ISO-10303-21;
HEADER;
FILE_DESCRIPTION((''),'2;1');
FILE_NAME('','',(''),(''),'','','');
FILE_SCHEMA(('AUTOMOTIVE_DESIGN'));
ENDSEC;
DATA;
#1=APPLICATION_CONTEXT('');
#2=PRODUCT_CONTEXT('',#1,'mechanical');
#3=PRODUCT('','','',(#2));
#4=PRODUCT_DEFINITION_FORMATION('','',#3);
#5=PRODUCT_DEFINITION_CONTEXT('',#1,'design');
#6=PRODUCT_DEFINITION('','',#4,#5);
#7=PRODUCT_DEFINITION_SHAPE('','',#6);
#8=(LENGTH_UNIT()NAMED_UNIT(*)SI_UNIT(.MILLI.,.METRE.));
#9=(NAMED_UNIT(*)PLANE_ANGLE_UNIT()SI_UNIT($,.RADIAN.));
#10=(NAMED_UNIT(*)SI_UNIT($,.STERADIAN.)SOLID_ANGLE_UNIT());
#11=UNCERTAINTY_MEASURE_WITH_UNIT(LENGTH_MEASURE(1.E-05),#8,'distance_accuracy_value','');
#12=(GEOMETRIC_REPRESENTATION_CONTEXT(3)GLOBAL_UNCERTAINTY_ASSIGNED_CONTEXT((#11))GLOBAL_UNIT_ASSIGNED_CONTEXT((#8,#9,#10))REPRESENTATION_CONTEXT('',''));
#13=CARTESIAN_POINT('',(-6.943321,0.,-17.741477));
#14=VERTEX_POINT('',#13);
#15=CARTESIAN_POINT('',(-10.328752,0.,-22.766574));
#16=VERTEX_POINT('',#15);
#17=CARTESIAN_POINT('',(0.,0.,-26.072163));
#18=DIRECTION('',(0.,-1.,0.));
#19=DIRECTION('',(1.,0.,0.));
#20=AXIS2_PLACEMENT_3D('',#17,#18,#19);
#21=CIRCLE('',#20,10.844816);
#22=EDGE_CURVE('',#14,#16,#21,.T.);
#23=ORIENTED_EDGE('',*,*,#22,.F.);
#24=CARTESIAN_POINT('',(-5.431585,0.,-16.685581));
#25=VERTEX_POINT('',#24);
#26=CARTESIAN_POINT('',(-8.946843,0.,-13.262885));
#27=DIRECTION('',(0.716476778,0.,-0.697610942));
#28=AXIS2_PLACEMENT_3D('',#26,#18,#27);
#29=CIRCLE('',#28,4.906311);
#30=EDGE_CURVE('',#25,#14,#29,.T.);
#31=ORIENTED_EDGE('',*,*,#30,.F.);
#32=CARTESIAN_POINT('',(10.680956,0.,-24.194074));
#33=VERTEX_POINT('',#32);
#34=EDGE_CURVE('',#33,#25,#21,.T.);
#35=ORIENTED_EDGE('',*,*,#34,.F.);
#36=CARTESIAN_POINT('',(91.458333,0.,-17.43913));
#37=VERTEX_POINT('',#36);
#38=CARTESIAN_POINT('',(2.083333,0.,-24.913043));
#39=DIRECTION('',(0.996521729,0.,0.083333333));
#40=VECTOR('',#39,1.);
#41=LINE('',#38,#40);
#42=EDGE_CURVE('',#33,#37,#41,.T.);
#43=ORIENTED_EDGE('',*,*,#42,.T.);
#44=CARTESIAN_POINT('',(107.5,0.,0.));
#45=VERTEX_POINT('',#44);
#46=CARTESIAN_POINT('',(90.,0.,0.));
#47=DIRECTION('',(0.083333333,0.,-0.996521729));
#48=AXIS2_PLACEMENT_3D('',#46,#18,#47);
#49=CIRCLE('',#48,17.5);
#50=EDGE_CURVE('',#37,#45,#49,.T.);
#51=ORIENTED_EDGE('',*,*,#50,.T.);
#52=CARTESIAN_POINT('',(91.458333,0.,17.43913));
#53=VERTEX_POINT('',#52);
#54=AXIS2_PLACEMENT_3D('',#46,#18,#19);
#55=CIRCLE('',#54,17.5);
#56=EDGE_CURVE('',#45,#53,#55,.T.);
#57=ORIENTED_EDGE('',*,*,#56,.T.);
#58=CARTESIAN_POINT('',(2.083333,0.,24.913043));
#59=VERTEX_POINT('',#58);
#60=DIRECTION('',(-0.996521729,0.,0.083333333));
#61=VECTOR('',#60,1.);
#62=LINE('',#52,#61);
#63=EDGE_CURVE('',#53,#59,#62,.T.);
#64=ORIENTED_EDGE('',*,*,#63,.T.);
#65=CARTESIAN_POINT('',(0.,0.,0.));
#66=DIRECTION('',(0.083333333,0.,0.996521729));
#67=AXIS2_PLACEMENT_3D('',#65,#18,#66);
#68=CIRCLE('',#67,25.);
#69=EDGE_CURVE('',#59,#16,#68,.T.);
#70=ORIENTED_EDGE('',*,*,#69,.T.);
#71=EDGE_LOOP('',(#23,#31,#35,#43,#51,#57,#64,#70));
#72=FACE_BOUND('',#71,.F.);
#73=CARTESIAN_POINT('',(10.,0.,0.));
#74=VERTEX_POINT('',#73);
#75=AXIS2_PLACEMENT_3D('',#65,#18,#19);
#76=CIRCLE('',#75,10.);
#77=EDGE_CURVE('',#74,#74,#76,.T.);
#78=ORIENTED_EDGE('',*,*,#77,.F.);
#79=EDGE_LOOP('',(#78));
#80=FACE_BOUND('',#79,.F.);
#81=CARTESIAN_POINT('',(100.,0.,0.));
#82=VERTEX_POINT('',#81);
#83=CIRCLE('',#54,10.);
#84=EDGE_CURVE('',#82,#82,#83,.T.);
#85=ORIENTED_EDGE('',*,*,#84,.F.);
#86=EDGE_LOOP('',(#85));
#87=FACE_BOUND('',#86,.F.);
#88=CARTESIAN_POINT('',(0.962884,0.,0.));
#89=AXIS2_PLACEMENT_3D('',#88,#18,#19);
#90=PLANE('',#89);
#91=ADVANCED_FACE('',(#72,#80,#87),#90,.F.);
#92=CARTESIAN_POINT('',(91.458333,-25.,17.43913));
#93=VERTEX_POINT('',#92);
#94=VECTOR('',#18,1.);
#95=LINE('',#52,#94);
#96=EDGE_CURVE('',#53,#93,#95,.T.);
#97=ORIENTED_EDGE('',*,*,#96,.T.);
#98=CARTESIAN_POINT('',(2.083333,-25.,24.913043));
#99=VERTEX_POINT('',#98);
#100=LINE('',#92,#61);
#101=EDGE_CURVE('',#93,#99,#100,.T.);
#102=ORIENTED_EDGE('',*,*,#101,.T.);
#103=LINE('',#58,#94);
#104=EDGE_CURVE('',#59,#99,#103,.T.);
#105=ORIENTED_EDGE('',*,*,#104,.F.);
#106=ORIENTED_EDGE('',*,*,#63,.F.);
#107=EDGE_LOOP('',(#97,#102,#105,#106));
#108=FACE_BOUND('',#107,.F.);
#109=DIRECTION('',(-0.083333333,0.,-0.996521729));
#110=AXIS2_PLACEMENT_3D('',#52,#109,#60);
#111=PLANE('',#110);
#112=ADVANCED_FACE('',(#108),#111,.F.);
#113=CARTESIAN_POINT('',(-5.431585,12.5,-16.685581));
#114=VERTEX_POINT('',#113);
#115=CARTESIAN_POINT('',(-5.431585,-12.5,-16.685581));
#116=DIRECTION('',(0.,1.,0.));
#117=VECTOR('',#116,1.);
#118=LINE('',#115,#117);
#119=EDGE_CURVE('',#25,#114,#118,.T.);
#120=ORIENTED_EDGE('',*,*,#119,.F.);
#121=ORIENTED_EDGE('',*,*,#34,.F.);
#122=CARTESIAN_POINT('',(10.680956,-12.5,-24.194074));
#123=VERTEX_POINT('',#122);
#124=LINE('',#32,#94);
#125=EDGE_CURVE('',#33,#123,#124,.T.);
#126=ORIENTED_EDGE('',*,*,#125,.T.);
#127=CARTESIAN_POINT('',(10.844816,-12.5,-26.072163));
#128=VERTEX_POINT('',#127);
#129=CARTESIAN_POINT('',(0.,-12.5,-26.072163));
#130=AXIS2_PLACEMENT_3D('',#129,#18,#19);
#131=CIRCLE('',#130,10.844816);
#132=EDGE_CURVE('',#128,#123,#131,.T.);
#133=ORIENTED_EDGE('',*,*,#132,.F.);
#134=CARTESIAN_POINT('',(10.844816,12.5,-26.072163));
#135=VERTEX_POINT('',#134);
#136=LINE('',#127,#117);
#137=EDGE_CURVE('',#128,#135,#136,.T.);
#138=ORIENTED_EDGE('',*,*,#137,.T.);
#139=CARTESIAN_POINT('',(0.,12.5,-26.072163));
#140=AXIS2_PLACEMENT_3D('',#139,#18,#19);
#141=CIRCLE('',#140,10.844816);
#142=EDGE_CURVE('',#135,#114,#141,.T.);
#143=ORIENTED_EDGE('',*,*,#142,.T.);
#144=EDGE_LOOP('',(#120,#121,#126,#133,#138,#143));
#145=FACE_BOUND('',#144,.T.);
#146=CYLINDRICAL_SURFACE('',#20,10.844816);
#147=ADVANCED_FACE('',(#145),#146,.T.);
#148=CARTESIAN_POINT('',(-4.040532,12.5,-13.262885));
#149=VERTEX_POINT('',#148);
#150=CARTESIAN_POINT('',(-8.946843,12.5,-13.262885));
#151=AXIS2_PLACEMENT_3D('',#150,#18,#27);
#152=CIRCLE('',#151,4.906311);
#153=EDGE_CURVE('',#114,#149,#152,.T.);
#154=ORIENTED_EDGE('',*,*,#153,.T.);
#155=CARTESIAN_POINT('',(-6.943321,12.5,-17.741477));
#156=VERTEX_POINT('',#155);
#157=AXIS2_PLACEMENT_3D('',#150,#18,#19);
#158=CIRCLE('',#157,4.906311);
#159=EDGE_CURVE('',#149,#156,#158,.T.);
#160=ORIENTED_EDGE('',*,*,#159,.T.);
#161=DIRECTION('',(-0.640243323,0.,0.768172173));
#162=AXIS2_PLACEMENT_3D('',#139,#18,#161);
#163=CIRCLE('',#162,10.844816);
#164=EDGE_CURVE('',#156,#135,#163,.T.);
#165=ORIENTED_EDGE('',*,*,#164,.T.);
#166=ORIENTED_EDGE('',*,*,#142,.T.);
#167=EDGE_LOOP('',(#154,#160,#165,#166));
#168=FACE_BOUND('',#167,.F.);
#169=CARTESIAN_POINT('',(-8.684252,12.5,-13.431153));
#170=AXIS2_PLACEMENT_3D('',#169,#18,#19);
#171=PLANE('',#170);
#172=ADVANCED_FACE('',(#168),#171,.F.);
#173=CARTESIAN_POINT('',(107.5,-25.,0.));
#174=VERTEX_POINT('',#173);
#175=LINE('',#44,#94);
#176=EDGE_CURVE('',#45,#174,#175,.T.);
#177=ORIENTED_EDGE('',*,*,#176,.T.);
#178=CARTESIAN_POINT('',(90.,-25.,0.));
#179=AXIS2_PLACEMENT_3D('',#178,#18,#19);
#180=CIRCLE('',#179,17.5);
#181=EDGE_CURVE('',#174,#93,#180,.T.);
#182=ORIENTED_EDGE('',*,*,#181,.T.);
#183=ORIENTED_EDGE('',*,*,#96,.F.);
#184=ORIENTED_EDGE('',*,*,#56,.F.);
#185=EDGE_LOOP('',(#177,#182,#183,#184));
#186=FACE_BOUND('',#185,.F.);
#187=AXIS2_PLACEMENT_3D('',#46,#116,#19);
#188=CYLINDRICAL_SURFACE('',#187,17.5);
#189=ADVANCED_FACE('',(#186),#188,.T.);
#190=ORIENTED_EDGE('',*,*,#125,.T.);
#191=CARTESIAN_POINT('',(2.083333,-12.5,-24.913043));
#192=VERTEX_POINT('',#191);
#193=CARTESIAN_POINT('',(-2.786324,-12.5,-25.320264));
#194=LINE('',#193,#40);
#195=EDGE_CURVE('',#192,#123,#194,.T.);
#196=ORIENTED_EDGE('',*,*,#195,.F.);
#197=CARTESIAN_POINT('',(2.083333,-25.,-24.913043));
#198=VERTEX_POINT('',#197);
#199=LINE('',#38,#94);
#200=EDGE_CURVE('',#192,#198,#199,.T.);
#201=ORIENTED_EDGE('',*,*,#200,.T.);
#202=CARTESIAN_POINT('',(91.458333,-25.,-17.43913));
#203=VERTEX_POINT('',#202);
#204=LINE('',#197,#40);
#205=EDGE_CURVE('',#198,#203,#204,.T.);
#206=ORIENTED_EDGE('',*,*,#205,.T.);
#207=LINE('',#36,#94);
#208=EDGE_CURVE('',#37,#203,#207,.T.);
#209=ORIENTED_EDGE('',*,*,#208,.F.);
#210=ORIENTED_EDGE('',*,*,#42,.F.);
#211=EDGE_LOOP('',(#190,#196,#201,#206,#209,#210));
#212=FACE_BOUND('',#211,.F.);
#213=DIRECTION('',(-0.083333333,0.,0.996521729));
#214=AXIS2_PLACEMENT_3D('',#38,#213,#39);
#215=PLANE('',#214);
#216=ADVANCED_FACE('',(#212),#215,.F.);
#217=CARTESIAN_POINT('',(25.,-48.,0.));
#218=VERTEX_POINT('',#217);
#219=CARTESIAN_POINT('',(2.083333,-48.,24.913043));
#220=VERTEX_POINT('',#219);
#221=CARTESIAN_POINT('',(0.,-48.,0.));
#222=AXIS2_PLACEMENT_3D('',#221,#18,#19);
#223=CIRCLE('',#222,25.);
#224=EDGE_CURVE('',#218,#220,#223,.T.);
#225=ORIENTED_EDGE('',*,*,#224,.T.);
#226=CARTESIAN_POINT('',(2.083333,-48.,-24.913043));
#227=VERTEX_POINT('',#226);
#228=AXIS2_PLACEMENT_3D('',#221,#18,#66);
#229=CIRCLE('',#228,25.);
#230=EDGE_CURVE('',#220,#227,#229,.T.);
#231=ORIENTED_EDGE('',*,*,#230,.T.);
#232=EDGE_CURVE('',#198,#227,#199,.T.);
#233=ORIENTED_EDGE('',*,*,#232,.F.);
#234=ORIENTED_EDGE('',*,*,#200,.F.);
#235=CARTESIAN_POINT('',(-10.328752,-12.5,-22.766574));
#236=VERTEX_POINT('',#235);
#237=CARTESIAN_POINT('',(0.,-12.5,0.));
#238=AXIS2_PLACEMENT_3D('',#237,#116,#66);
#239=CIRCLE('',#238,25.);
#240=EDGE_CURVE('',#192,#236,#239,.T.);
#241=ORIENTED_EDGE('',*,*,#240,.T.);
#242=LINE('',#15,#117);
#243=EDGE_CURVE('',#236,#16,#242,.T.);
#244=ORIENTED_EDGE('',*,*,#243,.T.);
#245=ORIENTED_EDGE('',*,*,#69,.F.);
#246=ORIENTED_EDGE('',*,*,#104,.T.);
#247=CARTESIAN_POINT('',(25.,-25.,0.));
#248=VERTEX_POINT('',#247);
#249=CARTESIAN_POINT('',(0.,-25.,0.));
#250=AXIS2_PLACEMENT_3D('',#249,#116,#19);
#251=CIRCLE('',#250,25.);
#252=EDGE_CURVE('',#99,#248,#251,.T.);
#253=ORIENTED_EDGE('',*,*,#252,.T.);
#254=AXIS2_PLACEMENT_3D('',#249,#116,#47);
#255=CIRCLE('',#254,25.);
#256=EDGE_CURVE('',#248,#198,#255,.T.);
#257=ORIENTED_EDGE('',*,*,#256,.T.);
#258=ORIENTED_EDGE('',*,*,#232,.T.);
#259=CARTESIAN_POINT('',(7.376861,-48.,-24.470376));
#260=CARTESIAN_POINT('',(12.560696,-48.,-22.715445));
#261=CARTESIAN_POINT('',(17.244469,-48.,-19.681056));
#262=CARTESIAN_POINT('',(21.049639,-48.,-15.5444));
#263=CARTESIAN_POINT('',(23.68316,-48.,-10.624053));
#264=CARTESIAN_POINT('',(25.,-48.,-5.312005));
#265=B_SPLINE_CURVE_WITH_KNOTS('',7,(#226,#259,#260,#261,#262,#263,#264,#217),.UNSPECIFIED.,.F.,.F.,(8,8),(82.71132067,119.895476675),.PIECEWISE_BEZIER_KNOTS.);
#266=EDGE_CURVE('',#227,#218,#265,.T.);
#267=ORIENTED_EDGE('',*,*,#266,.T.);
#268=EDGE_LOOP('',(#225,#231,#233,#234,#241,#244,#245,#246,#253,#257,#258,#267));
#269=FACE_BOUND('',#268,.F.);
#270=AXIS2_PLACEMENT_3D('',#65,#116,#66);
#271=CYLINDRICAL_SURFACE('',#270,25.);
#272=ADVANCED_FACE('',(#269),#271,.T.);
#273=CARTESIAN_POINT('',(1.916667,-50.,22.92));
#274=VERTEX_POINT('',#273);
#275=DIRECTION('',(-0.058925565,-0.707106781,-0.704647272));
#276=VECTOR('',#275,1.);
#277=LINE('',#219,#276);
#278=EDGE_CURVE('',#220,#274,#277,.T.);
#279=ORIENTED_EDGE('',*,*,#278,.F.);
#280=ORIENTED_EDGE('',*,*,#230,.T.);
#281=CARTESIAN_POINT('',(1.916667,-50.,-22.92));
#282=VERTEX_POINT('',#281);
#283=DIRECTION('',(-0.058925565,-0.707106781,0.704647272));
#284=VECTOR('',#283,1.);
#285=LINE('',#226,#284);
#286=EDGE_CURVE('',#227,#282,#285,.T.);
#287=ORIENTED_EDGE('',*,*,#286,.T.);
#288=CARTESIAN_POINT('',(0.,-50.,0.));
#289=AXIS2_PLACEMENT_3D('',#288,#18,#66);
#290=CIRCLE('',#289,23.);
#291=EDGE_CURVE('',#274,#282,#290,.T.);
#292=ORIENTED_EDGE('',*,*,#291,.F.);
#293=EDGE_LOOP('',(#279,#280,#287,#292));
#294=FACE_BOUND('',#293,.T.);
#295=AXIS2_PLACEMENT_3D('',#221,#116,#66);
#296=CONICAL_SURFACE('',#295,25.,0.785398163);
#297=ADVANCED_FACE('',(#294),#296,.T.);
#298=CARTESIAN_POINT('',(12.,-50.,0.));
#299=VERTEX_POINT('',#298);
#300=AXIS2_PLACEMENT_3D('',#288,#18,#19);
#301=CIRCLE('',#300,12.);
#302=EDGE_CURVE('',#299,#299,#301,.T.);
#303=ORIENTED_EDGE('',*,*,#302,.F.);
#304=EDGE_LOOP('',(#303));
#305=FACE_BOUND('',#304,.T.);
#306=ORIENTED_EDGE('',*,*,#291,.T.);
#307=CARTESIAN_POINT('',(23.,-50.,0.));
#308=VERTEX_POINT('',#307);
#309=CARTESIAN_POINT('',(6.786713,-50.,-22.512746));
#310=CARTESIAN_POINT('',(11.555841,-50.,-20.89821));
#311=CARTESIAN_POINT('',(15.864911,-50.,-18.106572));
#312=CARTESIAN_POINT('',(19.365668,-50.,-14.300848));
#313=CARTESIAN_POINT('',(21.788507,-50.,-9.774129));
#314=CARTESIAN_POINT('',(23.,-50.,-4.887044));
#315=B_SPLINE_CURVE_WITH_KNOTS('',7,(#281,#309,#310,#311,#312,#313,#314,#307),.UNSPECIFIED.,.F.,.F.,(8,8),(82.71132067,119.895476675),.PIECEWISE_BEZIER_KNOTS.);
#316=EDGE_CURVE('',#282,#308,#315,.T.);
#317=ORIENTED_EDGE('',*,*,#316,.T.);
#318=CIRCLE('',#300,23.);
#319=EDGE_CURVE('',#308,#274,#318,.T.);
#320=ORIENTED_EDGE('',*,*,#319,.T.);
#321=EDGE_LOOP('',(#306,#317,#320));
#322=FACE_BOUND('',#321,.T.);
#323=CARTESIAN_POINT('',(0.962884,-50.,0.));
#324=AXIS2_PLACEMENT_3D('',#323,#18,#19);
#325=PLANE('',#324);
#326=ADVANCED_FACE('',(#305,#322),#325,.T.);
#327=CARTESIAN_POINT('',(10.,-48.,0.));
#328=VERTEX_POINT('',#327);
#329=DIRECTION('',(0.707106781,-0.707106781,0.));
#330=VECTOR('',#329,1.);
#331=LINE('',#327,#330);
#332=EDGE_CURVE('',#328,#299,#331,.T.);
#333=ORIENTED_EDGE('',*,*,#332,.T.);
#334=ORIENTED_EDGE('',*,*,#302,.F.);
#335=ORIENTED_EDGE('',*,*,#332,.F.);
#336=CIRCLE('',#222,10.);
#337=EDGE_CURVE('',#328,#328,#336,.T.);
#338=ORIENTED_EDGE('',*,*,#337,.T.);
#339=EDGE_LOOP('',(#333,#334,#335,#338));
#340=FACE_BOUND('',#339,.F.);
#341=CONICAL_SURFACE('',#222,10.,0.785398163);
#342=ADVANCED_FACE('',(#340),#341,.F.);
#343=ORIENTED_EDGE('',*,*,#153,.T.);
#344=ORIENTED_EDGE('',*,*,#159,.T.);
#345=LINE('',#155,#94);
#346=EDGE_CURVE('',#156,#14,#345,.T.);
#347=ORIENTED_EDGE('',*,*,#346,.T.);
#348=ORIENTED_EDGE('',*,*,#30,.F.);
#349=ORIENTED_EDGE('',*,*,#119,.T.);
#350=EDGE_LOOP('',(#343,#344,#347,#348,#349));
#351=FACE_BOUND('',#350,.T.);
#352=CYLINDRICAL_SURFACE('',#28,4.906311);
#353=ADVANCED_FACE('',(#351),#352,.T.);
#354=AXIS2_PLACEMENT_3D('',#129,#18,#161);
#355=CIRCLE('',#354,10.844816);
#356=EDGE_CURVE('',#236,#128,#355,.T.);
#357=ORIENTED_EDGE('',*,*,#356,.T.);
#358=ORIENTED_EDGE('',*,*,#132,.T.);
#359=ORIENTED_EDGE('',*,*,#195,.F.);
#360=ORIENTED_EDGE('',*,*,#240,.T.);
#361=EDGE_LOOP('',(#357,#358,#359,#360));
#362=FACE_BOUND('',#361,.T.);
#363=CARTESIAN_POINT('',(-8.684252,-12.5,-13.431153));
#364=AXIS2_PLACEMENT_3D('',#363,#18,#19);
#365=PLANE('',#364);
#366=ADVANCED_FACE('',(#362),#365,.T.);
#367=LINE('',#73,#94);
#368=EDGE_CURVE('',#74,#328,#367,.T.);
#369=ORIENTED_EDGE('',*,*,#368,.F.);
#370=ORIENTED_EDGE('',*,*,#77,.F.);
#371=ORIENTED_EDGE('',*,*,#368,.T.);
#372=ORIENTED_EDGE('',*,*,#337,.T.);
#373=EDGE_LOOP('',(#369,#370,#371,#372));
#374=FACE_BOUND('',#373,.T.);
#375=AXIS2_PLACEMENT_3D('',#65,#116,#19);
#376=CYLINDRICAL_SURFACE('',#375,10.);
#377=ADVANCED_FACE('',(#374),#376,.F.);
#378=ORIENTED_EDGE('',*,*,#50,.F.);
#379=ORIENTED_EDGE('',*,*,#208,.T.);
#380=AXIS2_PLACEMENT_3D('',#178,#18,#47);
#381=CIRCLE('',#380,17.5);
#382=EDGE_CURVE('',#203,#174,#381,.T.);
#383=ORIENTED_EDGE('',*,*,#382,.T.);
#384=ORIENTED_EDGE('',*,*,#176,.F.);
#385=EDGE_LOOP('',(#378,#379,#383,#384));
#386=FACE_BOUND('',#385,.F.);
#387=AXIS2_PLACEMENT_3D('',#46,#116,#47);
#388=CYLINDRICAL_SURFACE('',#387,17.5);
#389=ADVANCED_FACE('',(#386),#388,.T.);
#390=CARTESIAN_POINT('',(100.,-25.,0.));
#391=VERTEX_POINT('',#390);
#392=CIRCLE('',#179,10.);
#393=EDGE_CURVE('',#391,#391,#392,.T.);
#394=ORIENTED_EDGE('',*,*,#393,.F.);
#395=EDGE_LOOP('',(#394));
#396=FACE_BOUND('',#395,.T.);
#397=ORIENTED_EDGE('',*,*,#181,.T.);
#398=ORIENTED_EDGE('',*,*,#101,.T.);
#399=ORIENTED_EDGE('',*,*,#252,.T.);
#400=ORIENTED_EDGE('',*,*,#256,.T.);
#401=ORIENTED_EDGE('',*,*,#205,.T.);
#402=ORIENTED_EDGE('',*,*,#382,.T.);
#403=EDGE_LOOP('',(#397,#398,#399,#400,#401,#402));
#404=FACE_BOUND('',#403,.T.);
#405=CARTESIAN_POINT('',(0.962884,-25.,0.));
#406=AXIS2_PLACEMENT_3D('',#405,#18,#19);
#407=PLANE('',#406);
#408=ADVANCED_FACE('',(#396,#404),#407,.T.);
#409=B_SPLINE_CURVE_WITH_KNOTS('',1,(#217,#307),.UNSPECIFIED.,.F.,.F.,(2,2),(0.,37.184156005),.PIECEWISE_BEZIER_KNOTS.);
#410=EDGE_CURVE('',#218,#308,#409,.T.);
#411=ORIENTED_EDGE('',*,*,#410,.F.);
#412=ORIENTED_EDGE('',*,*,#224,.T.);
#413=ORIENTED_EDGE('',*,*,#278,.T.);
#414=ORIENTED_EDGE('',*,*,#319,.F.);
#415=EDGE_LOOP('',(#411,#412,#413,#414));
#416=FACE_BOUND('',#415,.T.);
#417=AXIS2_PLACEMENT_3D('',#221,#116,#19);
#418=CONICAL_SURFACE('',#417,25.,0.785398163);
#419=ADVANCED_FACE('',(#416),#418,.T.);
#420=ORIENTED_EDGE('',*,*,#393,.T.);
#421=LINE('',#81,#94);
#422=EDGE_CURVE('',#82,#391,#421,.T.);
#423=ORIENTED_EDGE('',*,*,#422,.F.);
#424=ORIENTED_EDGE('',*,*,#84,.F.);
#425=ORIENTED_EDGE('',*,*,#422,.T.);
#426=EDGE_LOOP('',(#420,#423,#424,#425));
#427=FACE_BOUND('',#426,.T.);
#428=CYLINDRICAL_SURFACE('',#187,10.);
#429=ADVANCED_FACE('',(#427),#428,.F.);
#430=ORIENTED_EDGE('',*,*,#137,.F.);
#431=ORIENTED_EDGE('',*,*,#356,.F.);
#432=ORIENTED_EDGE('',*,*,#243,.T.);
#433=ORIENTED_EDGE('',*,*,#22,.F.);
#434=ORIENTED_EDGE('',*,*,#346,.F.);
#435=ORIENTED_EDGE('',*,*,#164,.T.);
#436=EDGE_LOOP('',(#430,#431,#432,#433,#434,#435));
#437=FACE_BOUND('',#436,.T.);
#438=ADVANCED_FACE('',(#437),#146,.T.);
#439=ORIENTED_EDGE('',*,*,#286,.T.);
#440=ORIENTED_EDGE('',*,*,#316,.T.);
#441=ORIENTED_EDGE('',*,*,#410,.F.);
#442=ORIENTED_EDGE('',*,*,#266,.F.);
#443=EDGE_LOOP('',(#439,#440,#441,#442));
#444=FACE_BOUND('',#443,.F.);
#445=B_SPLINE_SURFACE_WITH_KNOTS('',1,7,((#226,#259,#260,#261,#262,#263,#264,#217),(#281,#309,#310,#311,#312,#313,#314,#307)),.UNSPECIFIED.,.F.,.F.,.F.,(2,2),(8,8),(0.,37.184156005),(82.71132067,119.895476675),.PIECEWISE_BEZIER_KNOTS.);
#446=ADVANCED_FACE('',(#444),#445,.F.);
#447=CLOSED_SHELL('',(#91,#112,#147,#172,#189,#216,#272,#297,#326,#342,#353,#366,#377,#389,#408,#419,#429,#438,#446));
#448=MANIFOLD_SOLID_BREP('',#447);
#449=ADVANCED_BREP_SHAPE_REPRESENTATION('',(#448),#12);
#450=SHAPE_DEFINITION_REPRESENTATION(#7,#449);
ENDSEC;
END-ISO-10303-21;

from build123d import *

# Parameters (mm, degrees)
F0_R     = 10
F1_DEPTH = 25
F2_DEPTH = 50
F3_SIZE  = 2
F5_DEPTH = 12.5
F6_DEPTH = 25


with BuildPart() as f1:
    # F0 (on Front) → F1 (new body)
    with BuildSketch(Plane.XZ):
        with BuildLine():
            ThreePointArc((2.0833333333, -24.9130432148), (18.3995018048, -16.9250800097), (25, 0))
            ThreePointArc((25, 0), (18.3995018048, 16.9250800097), (2.0833333333, 24.9130432148))
            ThreePointArc((2.0833333333, 24.9130432148), (-25, 0), (2.0833333333, -24.9130432148))
        make_face()
        Circle(F0_R, mode=Mode.SUBTRACT)
        with BuildLine():
            ThreePointArc((2.0833333333, 24.9130432148), (18.3995018048, 16.9250800097), (25, 0))
            ThreePointArc((25, 0), (18.3995018048, -16.9250800097), (2.0833333333, -24.9130432148))
            Line((2.0833333333, -24.9130432148), (91.4583333333, -17.4391302504))
            ThreePointArc((91.4583333333, -17.4391302504), (72.5, 0), (91.4583333333, 17.4391302504))
            Line((91.4583333333, 17.4391302504), (2.0833333333, 24.9130432148))
        make_face()
        with BuildLine():
            ThreePointArc((107.5, 0), (102.8796512634, 11.8475560068), (91.4583333333, 17.4391302504))
            ThreePointArc((91.4583333333, 17.4391302504), (72.5, 0), (91.4583333333, -17.4391302504))
            ThreePointArc((91.4583333333, -17.4391302504), (102.8796512634, -11.8475560068), (107.5, 0))
        make_face()
        with Locations((90, 0)):
            Circle(F0_R, mode=Mode.SUBTRACT)
    extrude(amount=F1_DEPTH)

    # F0 (on Front) → F2 (join)
    with BuildSketch(Plane.XZ):
        with BuildLine():
            ThreePointArc((2.0833333333, -24.9130432148), (18.3995018048, -16.9250800097), (25, 0))
            ThreePointArc((25, 0), (18.3995018048, 16.9250800097), (2.0833333333, 24.9130432148))
            ThreePointArc((2.0833333333, 24.9130432148), (-25, 0), (2.0833333333, -24.9130432148))
        make_face()
        Circle(F0_R, mode=Mode.SUBTRACT)
    extrude(amount=F2_DEPTH)

    # F3
    f3_edges = [f1.edges().sort_by_distance(p)[0] for p in [
        (-2.083333, -50, 24.913043),
        (-10, -50, 0),
        (80, -25, 0),
    ]]
    chamfer(f3_edges, length=F3_SIZE)

    # F4 (on face) → F5 (join, symmetric)
    with BuildSketch(Plane.XZ):
        with BuildLine():
            ThreePointArc((-5.4315853461, -16.6855811303), (-4.4015799273, -15.1101718832), (-4.0405321611, -13.2628846914))
            ThreePointArc((-4.0405321611, -13.2628846914), (-13.0639901523, -10.5943657369), (-6.9433212415, -17.7414770144))
            ThreePointArc((-6.9433212415, -17.7414770144), (-6.2099361746, -17.1813401242), (-5.4315853461, -16.6855811303))
        make_face()
        with BuildLine():
            ThreePointArc((-5.4315853461, -16.6855811303), (-6.2099361746, -17.1813401242), (-6.9433212415, -17.7414770144))
            ThreePointArc((-6.9433212415, -17.7414770144), (-6.1374016791, -17.2851884317), (-5.4315853461, -16.6855811303))
        make_face()
        with BuildLine():
            ThreePointArc((-5.4315853461, -16.6855811303), (-6.1374016791, -17.2851884317), (-6.9433212415, -17.7414770144))
            ThreePointArc((-6.9433212415, -17.7414770144), (-4.5995107108, -35.8932904795), (10.8448163239, -26.0721631348))
            ThreePointArc((10.8448163239, -26.0721631348), (5.4178176267, -16.6776278476), (-5.4315853461, -16.6855811303))
        make_face()
    extrude(amount=F5_DEPTH, both=True)

    # F0 (on Front) + F5_face (on face) → F6 (join)
    with BuildSketch(Plane.XZ):
        with BuildLine():
            ThreePointArc((2.0833333333, -24.9130432148), (18.3995018048, -16.9250800097), (25, 0))
            ThreePointArc((25, 0), (18.3995018048, 16.9250800097), (2.0833333333, 24.9130432148))
            ThreePointArc((2.0833333333, 24.9130432148), (-25, 0), (2.0833333333, -24.9130432148))
        make_face()
        Circle(F0_R, mode=Mode.SUBTRACT)
        with BuildLine():
            ThreePointArc((2.0833333333, 24.9130432148), (18.3995018048, 16.9250800097), (25, 0))
            ThreePointArc((25, 0), (18.3995018048, -16.9250800097), (2.0833333333, -24.9130432148))
            Line((2.0833333333, -24.9130432148), (91.4583333333, -17.4391302504))
            ThreePointArc((91.4583333333, -17.4391302504), (72.5, 0), (91.4583333333, 17.4391302504))
            Line((91.4583333333, 17.4391302504), (2.0833333333, 24.9130432148))
        make_face()
        with BuildLine():
            ThreePointArc((107.5, 0), (102.8796512634, 11.8475560068), (91.4583333333, 17.4391302504))
            ThreePointArc((91.4583333333, 17.4391302504), (72.5, 0), (91.4583333333, -17.4391302504))
            ThreePointArc((91.4583333333, -17.4391302504), (102.8796512634, -11.8475560068), (107.5, 0))
        make_face()
        with Locations((90, 0)):
            Circle(F0_R, mode=Mode.SUBTRACT)
    with BuildSketch(Plane(origin=(-1.518445143, 12.5, -23.8981911908), x_dir=(1, 0, 0), z_dir=(0, 1, 0))):
        with BuildLine():
            ThreePointArc((-3.9131402031, -7.2126100605), (7.7283813175, 11.0647949546), (-5.4248760985, -6.1567141764))
            ThreePointArc((-5.4248760985, -6.1567141764), (-10.2378400686, -14.6576102398), (-3.9131402031, -7.2126100605))
        make_face()
    extrude(amount=F6_DEPTH, dir=(0, -1, 0))


solid = f1.part
